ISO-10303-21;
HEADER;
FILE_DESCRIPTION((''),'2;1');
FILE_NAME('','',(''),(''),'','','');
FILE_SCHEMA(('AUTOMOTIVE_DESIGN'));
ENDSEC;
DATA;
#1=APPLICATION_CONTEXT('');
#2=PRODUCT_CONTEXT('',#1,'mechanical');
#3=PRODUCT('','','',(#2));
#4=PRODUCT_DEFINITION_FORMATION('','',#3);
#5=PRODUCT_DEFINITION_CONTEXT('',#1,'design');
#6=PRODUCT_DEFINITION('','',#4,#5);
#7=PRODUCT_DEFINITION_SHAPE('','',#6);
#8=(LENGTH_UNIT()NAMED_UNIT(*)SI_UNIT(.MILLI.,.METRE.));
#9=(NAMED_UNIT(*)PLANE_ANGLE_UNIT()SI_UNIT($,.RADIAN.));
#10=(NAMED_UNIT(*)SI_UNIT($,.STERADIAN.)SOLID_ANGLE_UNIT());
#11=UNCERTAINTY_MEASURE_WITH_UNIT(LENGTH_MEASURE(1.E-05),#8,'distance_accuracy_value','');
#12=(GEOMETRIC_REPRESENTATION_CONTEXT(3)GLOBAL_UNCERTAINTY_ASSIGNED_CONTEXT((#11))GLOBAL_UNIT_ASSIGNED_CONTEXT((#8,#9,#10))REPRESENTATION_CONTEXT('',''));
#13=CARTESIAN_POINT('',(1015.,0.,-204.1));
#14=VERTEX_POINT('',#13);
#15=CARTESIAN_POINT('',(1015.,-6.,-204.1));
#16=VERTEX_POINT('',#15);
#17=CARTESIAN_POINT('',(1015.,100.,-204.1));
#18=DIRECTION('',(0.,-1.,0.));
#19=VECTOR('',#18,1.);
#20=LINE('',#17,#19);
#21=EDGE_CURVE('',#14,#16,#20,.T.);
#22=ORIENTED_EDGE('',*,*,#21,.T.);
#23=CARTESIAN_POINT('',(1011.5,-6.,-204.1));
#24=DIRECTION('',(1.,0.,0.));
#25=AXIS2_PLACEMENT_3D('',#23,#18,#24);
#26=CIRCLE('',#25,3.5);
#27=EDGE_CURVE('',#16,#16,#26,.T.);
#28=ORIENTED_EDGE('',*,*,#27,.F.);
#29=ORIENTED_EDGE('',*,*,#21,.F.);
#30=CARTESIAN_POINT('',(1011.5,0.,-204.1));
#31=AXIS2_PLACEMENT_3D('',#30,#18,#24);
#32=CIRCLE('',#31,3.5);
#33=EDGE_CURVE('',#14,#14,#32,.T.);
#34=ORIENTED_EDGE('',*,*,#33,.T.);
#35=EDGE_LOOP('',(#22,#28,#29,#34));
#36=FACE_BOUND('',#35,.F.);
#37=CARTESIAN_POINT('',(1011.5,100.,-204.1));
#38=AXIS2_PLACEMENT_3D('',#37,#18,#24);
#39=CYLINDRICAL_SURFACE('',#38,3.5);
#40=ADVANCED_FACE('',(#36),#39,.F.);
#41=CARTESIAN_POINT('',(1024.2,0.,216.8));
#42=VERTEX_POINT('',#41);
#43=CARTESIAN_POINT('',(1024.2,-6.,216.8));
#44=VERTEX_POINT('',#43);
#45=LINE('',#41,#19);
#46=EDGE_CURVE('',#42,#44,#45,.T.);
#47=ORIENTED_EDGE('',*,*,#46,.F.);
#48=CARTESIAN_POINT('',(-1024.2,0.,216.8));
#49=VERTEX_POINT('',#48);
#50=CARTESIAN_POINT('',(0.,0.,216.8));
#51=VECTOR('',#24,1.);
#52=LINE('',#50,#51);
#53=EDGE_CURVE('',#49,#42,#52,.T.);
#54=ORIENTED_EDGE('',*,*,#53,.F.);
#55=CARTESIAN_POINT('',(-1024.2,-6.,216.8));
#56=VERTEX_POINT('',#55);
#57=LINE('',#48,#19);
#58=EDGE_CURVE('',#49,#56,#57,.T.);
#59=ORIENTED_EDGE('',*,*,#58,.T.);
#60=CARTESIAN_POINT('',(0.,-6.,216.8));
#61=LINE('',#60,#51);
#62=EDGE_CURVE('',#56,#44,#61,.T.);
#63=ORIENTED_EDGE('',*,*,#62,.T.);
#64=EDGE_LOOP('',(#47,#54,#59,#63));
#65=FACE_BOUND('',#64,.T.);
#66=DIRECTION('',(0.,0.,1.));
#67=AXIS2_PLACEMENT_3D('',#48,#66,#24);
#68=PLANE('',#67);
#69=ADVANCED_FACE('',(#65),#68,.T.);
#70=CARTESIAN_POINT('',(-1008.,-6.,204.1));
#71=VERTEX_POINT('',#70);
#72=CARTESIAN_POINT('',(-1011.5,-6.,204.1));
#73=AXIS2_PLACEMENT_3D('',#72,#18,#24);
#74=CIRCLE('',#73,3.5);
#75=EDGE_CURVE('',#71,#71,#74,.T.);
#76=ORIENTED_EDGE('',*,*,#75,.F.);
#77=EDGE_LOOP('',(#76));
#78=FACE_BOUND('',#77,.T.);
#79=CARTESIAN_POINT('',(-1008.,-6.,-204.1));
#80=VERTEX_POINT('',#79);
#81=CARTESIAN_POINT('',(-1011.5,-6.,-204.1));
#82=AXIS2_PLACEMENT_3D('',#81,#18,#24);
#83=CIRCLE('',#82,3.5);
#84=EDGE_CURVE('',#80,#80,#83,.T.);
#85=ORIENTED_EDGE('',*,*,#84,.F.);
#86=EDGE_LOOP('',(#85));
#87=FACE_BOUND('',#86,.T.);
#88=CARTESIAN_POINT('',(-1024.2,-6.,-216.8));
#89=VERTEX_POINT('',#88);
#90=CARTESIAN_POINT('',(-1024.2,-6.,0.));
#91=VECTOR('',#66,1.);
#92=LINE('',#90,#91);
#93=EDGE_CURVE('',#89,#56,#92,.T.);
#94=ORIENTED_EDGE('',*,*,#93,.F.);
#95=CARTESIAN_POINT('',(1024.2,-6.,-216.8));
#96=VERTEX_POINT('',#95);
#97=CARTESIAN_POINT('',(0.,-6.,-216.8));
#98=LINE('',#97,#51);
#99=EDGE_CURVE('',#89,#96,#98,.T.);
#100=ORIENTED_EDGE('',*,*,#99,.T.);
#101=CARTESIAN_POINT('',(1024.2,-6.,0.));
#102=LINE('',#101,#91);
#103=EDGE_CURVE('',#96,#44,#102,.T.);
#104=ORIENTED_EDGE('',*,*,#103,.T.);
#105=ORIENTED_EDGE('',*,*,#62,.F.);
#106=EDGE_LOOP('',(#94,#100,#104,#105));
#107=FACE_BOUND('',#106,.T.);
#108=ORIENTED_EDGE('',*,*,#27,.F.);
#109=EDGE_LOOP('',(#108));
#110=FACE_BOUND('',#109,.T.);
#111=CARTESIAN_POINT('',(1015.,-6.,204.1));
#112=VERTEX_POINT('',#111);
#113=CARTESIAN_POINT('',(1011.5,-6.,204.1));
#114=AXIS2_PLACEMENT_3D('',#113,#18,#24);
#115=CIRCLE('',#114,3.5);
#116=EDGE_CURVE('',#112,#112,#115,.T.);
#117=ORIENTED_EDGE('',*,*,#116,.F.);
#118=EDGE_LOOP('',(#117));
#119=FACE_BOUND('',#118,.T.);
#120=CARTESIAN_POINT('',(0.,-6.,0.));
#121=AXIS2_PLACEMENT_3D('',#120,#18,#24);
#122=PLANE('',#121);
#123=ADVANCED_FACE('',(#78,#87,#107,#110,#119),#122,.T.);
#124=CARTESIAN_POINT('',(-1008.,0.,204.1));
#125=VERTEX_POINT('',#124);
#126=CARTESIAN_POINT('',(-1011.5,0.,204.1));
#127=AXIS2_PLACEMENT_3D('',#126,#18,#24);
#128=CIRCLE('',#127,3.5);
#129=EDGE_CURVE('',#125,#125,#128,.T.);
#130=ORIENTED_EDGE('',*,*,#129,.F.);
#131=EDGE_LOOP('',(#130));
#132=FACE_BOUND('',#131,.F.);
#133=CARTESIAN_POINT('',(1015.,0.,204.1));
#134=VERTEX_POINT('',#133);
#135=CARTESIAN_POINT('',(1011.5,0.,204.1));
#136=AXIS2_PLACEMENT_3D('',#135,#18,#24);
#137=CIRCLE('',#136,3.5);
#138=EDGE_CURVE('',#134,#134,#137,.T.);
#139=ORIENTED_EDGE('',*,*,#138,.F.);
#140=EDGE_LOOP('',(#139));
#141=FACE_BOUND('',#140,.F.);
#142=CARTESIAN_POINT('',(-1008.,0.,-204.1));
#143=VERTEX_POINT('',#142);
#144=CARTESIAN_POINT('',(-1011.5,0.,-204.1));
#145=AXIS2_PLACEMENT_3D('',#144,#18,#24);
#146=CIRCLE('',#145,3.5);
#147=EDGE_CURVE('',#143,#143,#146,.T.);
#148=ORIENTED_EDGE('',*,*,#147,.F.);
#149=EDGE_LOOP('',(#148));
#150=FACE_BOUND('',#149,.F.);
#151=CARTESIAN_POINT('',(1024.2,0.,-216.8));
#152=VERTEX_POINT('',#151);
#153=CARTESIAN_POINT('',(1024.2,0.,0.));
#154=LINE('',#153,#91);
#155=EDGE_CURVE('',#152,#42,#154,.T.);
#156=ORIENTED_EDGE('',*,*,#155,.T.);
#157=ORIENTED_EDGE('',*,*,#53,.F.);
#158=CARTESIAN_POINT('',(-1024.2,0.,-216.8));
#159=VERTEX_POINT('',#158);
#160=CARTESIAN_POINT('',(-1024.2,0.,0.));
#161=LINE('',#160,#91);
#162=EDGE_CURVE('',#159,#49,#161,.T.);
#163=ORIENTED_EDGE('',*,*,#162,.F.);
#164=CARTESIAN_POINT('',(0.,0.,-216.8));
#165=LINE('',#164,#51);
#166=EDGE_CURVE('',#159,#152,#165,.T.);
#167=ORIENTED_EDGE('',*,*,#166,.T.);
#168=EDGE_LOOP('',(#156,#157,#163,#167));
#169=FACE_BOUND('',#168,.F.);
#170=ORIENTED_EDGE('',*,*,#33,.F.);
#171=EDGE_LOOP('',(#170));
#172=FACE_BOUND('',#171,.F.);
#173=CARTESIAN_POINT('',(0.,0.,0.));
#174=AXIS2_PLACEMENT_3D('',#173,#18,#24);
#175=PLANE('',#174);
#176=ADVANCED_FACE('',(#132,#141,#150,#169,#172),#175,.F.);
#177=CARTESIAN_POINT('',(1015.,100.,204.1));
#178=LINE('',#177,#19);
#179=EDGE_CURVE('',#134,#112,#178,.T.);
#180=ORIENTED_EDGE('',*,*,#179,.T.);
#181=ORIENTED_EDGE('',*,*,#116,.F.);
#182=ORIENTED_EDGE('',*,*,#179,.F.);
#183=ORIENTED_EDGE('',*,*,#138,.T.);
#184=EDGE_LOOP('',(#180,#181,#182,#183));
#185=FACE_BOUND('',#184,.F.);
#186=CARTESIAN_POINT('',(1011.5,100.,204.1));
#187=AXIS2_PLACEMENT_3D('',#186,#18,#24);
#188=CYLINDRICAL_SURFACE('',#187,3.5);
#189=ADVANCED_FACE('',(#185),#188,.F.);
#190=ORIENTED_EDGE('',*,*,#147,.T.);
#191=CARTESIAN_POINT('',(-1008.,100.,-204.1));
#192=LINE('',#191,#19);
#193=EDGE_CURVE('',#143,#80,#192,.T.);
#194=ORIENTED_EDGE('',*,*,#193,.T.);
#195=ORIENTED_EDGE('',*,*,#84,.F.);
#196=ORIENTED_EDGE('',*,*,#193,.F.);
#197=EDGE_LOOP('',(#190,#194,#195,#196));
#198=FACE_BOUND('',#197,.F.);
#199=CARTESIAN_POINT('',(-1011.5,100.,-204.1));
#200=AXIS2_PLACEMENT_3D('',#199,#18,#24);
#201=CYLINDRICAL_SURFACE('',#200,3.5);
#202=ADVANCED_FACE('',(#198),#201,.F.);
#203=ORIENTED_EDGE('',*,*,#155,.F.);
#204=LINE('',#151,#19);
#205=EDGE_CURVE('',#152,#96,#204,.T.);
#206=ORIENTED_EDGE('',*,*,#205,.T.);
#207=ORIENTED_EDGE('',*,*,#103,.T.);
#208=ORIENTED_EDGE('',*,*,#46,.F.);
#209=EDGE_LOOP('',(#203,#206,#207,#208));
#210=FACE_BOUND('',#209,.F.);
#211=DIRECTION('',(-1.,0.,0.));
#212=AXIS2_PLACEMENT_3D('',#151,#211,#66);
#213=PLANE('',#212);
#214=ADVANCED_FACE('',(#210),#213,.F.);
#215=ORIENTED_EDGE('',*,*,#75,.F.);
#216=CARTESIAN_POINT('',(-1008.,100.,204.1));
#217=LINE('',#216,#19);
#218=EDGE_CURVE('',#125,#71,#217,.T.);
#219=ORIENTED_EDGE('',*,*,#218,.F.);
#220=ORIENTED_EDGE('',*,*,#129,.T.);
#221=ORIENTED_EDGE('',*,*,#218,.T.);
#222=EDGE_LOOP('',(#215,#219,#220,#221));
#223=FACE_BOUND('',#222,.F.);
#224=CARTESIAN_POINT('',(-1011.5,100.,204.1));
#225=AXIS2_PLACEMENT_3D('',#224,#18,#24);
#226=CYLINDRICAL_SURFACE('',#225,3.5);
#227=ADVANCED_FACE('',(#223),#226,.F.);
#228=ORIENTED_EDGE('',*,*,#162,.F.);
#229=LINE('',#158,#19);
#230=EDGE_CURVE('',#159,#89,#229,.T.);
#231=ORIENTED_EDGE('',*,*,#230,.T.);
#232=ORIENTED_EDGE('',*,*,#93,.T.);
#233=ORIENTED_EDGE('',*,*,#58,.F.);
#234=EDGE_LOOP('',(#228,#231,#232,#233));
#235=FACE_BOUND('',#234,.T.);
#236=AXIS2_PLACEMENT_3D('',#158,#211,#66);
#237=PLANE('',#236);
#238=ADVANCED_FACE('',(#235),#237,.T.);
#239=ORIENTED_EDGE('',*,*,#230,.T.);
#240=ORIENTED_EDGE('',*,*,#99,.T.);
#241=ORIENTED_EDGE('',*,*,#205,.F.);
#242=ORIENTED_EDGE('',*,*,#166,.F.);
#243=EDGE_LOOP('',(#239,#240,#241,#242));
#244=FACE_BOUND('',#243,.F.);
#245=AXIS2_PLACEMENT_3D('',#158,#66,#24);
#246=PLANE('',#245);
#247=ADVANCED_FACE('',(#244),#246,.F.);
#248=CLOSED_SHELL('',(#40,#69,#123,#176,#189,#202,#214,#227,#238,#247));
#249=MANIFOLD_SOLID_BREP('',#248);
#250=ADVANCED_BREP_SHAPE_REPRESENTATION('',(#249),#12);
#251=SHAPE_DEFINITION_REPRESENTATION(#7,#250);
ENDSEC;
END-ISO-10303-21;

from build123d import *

# Parameters (mm, degrees)
F0_W     = 2048.4
F0_H     = 433.6
F1_DEPTH = 6
F3_D     = 7
F3_DEPTH = 100


with BuildPart() as f1:
    # F0 (on Front) → F1 (new body)
    with BuildSketch(Plane.XZ):
        Rectangle(F0_W, F0_H)
    extrude(amount=F1_DEPTH)

    # F3
    with Locations(Plane(origin=(0, 0, 0), x_dir=(-1, 0, 0), z_dir=(0, 1, 0))):
        with Locations((1011.5, 204.1), (1011.5, -204.1), (-1011.5, 204.1), (-1011.5, -204.1)):
            Hole(F3_D / 2, depth=F3_DEPTH)


solid = f1.part
